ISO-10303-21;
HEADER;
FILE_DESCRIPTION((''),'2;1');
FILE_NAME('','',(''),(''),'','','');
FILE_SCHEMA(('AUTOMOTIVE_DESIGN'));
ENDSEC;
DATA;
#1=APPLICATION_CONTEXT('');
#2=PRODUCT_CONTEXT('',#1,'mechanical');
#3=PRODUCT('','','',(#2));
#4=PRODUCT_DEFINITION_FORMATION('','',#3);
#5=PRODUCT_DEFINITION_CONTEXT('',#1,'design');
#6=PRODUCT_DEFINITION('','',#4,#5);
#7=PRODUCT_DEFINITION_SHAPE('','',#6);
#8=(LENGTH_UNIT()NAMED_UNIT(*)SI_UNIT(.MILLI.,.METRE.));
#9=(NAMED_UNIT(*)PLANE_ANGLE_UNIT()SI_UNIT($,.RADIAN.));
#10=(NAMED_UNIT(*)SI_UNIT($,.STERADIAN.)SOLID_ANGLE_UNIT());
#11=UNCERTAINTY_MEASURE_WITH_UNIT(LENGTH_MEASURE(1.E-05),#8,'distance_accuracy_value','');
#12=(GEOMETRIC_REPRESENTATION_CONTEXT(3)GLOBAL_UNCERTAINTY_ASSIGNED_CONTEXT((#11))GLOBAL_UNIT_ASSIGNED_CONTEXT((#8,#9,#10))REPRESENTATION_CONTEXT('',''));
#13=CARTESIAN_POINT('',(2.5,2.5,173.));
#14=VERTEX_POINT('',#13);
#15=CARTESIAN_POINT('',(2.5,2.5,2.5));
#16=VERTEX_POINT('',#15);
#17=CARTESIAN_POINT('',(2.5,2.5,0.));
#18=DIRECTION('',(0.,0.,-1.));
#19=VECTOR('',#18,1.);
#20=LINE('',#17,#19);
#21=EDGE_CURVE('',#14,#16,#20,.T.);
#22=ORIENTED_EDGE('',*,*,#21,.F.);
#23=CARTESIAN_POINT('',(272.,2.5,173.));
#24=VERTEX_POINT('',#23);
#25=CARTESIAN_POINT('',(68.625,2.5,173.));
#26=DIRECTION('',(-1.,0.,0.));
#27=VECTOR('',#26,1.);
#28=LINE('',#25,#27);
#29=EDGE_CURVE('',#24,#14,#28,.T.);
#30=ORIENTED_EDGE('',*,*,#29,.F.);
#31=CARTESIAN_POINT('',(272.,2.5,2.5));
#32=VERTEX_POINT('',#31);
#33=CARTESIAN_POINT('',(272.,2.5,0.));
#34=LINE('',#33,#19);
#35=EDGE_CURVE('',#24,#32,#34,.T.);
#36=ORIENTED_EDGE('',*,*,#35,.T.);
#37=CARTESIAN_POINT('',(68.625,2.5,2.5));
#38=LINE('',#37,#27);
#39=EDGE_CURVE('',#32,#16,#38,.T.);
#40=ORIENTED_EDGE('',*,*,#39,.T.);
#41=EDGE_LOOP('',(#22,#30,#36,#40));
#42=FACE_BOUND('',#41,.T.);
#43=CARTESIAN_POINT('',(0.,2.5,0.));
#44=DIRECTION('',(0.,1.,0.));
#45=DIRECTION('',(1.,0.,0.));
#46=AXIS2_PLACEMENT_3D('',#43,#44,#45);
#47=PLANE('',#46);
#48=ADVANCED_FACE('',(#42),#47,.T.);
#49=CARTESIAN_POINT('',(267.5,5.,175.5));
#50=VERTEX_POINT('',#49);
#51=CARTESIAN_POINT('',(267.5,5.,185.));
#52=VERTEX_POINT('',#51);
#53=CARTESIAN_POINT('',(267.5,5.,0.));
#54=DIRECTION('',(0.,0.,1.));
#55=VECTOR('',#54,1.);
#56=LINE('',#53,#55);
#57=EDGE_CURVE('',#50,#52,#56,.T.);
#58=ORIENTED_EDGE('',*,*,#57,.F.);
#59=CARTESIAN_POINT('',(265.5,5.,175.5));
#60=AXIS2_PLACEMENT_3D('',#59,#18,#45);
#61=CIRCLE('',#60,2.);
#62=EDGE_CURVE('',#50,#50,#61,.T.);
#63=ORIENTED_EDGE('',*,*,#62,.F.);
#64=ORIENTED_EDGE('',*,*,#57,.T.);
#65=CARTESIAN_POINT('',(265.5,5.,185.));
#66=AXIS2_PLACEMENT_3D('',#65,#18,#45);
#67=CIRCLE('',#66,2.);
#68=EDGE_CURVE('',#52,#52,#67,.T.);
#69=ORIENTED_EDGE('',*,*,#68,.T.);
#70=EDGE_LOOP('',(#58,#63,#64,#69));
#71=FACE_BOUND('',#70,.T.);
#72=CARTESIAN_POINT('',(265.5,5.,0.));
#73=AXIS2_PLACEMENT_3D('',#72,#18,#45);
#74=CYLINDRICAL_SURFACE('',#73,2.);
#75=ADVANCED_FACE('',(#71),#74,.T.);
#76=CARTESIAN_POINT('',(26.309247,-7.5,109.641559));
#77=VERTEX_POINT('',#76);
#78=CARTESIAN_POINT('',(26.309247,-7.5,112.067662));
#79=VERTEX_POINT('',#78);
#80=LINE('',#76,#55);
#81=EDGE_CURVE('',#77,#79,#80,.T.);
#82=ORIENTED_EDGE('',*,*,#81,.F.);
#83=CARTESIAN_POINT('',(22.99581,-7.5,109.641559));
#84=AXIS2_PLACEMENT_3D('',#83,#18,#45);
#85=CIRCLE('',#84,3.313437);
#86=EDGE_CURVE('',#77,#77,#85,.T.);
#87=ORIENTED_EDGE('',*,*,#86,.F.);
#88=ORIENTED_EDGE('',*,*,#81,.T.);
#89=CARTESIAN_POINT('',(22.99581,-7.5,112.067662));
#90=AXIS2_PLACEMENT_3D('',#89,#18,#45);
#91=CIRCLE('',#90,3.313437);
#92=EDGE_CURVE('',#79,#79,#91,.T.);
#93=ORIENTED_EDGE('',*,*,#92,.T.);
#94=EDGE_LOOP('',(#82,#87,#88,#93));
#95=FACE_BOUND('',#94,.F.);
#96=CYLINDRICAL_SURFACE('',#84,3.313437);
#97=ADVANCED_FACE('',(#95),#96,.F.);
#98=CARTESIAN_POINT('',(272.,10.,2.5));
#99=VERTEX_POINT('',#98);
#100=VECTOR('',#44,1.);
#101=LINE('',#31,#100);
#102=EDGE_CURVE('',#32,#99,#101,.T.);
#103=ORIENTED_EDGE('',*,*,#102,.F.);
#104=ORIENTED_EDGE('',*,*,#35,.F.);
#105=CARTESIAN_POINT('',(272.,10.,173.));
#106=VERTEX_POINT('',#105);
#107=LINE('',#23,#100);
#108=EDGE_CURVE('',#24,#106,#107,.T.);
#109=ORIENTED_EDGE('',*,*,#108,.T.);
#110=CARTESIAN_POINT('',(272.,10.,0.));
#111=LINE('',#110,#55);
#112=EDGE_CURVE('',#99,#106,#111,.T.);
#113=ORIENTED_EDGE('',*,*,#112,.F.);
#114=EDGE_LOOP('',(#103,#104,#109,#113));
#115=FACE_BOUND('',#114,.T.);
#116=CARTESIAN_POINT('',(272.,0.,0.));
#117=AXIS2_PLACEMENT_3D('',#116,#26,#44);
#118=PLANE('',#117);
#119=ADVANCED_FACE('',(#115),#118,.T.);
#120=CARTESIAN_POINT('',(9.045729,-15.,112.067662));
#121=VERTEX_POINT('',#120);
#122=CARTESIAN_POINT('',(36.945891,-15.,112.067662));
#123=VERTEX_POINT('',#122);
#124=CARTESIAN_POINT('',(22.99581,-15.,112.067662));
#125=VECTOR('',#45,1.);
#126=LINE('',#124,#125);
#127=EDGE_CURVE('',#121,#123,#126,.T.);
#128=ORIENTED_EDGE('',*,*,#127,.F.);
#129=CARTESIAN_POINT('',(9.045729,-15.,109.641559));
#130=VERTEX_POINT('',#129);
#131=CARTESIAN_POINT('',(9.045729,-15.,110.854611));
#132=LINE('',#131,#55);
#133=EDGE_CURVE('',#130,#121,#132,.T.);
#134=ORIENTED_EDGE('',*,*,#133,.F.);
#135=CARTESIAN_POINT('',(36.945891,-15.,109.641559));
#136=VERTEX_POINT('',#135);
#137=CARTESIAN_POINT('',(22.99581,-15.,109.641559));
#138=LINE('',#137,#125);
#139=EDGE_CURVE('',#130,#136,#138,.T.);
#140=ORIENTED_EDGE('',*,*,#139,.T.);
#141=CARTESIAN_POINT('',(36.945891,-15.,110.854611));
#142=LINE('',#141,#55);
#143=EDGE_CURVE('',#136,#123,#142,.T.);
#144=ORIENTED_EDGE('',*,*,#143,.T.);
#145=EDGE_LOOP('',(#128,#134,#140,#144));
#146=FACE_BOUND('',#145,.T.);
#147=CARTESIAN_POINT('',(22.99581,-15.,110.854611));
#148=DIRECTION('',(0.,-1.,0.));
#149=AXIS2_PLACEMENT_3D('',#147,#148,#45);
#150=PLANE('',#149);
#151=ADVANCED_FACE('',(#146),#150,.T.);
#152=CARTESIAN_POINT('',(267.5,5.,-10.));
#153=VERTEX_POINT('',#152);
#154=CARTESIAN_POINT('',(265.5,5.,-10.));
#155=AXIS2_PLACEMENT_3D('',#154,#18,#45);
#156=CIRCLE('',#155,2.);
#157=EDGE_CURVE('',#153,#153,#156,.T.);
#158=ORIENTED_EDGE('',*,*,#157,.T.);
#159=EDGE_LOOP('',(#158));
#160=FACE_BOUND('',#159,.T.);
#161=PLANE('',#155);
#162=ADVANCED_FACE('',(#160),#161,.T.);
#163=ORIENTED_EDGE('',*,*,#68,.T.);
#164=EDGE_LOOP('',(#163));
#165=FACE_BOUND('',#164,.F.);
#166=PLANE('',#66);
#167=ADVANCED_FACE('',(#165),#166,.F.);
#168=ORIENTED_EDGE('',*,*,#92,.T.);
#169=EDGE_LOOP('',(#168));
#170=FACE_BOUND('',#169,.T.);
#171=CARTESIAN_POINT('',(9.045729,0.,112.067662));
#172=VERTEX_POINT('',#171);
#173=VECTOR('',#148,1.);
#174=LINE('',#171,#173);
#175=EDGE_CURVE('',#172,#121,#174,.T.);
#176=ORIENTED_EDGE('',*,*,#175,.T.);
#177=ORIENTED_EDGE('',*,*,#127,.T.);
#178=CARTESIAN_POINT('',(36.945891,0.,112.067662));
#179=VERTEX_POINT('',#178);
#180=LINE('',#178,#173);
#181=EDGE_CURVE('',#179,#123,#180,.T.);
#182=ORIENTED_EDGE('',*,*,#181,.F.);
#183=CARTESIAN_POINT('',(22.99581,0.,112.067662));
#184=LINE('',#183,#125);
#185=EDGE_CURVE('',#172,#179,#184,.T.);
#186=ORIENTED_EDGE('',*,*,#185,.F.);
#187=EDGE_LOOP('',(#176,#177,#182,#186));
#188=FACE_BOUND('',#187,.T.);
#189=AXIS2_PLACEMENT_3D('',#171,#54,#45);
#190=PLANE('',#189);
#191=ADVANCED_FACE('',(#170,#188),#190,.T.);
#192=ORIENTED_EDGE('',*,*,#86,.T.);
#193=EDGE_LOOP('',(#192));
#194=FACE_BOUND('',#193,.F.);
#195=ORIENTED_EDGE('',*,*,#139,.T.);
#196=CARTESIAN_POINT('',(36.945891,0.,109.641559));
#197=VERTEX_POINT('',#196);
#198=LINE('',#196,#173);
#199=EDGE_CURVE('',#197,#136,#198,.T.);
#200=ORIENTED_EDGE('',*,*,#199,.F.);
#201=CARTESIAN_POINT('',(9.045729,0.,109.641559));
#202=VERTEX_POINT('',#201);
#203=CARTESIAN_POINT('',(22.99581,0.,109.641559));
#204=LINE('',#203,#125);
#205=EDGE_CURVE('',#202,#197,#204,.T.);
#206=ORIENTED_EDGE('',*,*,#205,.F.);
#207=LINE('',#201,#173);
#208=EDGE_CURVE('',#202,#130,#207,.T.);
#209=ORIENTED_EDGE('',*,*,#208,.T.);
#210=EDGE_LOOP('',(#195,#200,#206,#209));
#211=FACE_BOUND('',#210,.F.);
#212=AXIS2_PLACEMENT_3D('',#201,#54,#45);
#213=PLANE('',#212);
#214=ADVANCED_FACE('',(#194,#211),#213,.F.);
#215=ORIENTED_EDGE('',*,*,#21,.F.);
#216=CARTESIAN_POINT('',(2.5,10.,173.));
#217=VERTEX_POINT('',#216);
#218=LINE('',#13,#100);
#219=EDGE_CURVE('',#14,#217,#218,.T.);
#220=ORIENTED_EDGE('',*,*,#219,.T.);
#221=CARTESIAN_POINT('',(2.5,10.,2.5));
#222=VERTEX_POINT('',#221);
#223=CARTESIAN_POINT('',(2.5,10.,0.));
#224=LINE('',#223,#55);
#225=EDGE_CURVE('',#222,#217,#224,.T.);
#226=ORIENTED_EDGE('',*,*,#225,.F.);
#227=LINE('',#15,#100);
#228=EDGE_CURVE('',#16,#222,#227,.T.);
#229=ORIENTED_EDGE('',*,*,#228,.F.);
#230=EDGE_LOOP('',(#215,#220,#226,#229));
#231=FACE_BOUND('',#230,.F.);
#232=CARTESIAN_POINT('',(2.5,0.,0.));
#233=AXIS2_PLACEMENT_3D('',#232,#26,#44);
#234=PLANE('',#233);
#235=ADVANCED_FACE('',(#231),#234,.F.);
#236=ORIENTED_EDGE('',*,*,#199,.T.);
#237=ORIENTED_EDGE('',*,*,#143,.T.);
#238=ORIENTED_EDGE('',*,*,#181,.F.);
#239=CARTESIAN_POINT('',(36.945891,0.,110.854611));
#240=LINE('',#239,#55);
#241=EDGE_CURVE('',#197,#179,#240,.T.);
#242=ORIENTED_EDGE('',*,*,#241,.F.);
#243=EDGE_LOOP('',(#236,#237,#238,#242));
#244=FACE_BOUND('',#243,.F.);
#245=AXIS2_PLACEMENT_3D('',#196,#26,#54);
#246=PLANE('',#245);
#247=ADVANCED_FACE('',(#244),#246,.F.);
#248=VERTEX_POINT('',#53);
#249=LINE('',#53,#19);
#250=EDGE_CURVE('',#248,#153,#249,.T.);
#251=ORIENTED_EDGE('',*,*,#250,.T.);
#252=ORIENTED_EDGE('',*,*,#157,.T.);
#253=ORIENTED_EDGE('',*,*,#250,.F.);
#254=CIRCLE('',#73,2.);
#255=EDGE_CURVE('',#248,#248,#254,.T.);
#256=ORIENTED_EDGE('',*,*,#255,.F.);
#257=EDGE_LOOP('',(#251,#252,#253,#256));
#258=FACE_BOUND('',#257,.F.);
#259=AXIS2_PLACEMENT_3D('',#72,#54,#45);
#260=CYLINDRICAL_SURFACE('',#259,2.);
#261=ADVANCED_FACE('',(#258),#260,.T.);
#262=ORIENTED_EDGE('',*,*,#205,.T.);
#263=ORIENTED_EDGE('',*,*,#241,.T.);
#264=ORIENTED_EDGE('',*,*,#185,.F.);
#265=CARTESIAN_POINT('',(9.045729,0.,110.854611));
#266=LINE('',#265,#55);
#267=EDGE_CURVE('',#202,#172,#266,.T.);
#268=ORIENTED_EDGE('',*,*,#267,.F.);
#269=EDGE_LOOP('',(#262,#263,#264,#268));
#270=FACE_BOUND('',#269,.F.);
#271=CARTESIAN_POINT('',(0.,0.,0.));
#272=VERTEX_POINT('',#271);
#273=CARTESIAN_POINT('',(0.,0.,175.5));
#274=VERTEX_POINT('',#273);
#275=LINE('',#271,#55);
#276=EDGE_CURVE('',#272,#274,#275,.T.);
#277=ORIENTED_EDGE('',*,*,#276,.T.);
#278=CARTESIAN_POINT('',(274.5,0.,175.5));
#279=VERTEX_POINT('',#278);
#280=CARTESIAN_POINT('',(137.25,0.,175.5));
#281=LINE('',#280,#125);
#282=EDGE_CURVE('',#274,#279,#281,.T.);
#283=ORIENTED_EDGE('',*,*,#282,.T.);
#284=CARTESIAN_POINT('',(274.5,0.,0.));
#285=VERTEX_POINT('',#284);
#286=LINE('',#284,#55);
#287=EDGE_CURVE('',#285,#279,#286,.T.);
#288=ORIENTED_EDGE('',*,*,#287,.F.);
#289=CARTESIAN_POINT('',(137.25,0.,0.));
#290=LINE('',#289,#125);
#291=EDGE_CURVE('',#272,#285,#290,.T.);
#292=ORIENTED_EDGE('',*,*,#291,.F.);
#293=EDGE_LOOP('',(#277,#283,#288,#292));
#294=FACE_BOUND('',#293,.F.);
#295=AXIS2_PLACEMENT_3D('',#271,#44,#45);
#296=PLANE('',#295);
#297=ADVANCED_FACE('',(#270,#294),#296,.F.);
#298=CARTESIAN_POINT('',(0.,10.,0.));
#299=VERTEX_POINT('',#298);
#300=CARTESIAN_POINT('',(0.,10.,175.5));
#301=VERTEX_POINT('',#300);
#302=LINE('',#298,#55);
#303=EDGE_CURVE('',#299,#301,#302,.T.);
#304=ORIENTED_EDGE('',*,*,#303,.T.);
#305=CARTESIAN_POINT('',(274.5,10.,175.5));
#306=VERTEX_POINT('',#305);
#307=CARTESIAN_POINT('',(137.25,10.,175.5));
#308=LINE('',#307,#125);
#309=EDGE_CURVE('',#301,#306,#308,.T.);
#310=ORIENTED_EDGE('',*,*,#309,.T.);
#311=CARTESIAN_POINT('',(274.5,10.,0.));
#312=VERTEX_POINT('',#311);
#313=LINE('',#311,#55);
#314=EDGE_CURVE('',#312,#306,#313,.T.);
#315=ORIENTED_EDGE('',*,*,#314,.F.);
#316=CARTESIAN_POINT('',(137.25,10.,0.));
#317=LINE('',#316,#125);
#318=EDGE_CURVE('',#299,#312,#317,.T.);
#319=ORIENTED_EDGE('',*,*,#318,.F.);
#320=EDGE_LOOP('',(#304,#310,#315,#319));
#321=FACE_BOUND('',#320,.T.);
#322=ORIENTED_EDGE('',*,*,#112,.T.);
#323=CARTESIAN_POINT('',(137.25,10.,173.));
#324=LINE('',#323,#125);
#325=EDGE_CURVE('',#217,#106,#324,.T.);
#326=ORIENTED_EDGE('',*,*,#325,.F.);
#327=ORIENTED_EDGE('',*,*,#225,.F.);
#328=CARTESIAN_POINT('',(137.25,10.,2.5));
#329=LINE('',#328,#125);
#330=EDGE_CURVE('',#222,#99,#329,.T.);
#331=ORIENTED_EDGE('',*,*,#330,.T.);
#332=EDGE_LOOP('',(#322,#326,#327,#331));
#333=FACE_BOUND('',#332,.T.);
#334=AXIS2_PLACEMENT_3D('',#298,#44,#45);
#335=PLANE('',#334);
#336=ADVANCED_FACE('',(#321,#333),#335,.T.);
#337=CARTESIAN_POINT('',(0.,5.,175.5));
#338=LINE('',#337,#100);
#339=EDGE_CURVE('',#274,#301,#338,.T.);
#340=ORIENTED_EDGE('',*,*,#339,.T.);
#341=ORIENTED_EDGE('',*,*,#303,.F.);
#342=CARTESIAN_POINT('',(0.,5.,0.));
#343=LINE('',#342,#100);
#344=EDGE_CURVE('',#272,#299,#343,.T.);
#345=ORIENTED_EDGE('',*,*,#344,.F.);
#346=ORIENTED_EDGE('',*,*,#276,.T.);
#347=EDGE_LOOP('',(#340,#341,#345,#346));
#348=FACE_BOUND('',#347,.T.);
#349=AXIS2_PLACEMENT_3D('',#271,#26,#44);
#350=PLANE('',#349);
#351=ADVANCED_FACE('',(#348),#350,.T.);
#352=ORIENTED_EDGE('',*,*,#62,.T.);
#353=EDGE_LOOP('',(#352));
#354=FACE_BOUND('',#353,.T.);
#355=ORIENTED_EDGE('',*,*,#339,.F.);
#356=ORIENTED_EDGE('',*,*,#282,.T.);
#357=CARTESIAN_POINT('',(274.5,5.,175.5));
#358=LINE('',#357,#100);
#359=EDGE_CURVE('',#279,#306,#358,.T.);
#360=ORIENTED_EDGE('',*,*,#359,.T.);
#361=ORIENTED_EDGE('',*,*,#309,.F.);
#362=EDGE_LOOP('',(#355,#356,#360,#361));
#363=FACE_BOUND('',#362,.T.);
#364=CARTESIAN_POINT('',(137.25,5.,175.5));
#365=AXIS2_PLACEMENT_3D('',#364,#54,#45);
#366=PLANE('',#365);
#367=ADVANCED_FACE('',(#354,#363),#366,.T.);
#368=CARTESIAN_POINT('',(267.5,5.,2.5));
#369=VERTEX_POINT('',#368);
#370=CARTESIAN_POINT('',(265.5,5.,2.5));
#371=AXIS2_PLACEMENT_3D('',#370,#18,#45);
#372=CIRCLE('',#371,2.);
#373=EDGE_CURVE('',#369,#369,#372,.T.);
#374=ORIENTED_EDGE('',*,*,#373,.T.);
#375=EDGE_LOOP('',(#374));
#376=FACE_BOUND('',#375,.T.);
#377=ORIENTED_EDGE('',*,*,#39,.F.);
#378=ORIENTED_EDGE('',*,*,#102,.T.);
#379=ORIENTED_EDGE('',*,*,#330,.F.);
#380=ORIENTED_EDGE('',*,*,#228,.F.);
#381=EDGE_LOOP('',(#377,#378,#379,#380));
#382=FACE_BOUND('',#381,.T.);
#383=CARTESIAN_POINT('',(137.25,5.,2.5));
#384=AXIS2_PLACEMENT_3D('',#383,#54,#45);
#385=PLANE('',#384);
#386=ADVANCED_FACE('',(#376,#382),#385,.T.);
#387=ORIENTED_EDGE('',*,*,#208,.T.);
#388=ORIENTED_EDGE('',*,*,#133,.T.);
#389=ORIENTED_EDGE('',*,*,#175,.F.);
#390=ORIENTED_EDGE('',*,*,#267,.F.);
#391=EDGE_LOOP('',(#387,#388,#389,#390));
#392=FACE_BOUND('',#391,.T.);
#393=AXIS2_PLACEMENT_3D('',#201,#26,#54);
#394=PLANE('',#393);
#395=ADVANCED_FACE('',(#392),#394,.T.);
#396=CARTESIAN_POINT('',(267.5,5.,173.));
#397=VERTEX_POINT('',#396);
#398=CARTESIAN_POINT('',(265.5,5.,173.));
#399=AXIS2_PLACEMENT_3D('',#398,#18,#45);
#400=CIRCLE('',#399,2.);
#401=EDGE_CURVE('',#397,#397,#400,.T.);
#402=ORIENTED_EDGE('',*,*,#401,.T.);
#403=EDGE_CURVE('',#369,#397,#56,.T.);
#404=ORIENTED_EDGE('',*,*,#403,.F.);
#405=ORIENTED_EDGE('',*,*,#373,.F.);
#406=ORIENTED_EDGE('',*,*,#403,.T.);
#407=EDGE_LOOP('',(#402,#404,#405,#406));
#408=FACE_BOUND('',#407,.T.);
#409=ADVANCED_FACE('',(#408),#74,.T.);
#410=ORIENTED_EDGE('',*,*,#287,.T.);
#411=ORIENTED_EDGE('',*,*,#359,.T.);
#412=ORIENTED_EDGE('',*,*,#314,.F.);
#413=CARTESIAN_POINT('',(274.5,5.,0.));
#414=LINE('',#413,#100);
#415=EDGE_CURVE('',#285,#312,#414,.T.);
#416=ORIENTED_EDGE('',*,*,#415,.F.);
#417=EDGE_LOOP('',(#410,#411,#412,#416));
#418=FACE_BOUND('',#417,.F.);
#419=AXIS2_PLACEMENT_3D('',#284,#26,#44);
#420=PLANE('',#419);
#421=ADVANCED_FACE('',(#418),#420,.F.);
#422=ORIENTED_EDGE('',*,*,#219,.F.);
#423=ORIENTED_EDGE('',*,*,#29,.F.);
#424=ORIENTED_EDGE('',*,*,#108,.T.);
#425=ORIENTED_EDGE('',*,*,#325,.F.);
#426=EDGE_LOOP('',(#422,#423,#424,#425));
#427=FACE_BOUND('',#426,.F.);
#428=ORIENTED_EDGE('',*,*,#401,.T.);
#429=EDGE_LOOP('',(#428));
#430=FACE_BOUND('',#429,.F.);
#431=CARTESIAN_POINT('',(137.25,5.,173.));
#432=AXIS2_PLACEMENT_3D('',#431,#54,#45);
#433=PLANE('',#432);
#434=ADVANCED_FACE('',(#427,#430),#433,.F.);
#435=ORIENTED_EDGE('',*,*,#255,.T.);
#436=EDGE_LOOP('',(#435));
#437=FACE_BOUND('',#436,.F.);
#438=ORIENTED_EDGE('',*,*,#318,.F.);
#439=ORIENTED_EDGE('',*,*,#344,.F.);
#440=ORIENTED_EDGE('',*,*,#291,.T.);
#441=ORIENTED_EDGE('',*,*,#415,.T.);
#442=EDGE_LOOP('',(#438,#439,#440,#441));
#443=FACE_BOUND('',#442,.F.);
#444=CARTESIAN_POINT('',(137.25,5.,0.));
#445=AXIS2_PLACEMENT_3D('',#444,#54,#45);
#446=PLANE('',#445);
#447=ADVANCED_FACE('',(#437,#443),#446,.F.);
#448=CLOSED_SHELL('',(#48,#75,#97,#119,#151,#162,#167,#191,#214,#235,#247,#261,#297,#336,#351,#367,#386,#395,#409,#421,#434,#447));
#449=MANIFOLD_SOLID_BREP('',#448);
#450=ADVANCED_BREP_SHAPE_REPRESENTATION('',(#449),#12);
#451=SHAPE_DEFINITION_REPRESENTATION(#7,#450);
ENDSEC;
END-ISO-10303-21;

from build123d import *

# Parameters (mm, degrees)
F0_W          = 274.5
F0_H          = 10
F1_DEPTH      = 175.5
F2_T          = -2.5
F3_R          = 2
F4_DEPTH      = 10
F4_DEPTH_BACK = 185
F5_W          = 27.900162
F5_H          = 2.426103
F6_DEPTH      = 15
F7_R          = 3.313437
F8_DEPTH      = 25


with BuildPart() as f1:
    # F0 (on Top) → F1 (new body)
    with BuildSketch(Plane.XY):
        with Locations((137.25, 5)):
            Rectangle(F0_W, F0_H)
    extrude(amount=F1_DEPTH)

    # F2
    f2_openings = [f1.faces().sort_by_distance(p)[0] for p in [
        (137.25, 10, 87.75),
    ]]
    offset(amount=F2_T, openings=f2_openings)

    # F3 (on face) → F4 (join, two sides)
    with BuildSketch(Plane(origin=(0, 0, 0), x_dir=(1, 0, 0), z_dir=(0, 0, -1))) as f4_sk:
        with Locations((265.5, -5)):
            Circle(F3_R)
    extrude(amount=F4_DEPTH)
    extrude(f4_sk.sketch, amount=-F4_DEPTH_BACK)

    # F5 (on face) → F6 (join)
    with BuildSketch(Plane.XZ):
        with Locations((22.99581, 110.854611)):
            Rectangle(F5_W, F5_H)
    extrude(amount=F6_DEPTH)

    # F7 (on face) → F8 (cut)
    with BuildSketch(Plane(origin=(0, 0, 109.641559), x_dir=(1, 0, 0), z_dir=(0, 0, -1))):
        with Locations((22.99581, 7.5)):
            Circle(F7_R)
    extrude(amount=-F8_DEPTH, mode=Mode.SUBTRACT)


solid = f1.part
